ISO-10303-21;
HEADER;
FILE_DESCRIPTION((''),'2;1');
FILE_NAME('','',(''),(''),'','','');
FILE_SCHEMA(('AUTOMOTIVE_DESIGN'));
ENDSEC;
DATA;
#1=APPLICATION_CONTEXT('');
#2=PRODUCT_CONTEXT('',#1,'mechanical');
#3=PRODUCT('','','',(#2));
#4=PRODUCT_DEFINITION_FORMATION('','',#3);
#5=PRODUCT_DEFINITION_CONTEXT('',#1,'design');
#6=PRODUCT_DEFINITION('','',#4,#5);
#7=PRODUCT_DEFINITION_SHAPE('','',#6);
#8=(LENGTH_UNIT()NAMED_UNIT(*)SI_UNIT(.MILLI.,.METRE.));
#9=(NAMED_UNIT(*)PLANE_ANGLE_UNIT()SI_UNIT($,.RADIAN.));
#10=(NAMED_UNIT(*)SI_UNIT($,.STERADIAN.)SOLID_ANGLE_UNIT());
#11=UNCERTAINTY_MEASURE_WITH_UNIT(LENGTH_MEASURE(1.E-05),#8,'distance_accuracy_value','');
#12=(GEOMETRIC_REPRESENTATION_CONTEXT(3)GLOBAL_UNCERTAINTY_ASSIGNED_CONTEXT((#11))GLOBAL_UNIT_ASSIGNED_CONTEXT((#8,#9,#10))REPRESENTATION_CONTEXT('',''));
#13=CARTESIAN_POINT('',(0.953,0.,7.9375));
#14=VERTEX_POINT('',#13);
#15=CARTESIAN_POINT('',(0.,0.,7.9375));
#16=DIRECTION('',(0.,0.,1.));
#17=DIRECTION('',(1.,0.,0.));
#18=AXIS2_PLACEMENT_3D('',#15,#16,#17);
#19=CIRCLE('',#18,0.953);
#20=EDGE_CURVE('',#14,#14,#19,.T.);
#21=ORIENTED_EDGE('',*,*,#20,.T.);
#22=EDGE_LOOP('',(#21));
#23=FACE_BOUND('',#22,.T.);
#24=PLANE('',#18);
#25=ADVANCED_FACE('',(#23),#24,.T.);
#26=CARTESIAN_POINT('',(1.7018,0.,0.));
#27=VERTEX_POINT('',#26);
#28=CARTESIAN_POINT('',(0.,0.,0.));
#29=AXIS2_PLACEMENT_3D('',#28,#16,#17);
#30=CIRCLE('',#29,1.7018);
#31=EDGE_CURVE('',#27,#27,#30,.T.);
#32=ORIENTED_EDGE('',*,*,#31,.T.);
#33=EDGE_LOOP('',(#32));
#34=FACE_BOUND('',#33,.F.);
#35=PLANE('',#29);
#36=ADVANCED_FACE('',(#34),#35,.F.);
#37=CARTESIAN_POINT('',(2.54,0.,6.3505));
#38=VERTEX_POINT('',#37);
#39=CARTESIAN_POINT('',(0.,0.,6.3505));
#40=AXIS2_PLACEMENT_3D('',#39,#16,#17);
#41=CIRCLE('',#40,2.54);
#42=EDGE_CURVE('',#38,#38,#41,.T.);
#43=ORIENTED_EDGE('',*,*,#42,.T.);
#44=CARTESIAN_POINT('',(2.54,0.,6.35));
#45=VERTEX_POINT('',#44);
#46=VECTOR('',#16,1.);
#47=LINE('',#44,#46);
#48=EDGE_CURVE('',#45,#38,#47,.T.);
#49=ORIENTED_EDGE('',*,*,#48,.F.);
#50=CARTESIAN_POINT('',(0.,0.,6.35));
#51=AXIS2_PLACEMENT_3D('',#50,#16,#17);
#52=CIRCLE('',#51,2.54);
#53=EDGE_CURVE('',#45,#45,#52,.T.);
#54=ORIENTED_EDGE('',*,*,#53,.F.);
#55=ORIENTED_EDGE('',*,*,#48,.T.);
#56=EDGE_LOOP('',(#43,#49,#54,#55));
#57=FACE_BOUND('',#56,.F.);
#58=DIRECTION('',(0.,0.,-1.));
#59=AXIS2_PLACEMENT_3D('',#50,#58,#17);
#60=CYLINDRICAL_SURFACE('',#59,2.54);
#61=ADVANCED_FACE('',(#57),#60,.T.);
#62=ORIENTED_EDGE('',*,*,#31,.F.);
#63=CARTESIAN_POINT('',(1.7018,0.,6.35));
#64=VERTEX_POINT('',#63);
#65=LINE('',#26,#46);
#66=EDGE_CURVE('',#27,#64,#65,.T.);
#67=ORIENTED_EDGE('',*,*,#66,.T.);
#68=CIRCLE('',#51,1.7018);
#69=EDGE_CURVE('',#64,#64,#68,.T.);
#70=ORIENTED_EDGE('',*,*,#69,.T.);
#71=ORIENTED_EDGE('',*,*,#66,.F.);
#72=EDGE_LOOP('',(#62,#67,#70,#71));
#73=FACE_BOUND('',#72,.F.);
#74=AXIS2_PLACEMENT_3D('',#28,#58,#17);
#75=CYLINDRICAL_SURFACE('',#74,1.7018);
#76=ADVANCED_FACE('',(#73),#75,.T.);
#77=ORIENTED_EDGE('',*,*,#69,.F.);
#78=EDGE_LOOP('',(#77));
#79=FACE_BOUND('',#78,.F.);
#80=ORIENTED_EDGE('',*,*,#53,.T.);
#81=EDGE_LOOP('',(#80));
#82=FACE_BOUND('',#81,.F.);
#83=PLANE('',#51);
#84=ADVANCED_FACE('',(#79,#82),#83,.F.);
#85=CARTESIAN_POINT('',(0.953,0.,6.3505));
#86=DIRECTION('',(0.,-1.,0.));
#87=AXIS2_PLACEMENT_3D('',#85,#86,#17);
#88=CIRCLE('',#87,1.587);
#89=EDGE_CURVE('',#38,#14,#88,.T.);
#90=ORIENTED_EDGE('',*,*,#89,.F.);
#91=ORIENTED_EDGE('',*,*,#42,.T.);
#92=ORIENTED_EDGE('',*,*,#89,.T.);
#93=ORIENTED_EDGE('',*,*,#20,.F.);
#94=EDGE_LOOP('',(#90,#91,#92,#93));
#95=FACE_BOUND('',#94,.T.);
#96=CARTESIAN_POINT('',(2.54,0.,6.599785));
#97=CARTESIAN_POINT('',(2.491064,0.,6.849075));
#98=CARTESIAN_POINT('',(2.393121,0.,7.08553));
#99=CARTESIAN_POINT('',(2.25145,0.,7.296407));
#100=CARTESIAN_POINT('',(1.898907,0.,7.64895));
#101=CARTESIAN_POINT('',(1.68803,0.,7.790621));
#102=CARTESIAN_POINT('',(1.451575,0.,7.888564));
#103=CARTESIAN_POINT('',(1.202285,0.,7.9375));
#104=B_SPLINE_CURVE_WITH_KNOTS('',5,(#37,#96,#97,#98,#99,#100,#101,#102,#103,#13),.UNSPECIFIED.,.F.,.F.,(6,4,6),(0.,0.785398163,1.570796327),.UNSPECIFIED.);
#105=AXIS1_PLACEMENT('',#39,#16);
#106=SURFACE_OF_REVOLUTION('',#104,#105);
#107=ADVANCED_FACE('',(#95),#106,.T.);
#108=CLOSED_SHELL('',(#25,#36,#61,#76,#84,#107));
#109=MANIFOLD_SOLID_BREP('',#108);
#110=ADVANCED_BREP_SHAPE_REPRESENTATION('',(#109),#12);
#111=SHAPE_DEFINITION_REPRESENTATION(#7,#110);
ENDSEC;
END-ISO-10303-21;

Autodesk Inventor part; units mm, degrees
ref_plane "YZ Plane" through (0, 0, 0) normal (1, 0, 0) x (0, 1, 0)
ref_plane "XZ Plane" through (0, 0, 0) normal (0, 1, 0) x (-1, 0, 0)
ref_plane "XY Plane" through (0, 0, 0) normal (0, 0, 1) x (1, 0, 0)
sketch "Sketch1" plane through (0, 0, 0) normal (0, 0, 1) x (1, 0, 0)
  circle A0 centre (0, 0) radius 1.7018
  dimension "d0" = 3.4036
extrude "Extrusion1" add sketch "Sketch1" along normal blind 6.35
sketch "Sketch2" plane through (0, 0, 6.35) normal (0, 0, 1) x (1, 0, 0)
  circle A0 centre (0, 0) radius 2.54
  dimension "d3" = 5.08
extrude "Extrusion2" add sketch "Sketch2" along normal blind 1.5875
fillet "Fillet1" radius 1.5875 1 edges at (-2.54, 0, 7.9375)
properties part number "0.125in Rivet"
